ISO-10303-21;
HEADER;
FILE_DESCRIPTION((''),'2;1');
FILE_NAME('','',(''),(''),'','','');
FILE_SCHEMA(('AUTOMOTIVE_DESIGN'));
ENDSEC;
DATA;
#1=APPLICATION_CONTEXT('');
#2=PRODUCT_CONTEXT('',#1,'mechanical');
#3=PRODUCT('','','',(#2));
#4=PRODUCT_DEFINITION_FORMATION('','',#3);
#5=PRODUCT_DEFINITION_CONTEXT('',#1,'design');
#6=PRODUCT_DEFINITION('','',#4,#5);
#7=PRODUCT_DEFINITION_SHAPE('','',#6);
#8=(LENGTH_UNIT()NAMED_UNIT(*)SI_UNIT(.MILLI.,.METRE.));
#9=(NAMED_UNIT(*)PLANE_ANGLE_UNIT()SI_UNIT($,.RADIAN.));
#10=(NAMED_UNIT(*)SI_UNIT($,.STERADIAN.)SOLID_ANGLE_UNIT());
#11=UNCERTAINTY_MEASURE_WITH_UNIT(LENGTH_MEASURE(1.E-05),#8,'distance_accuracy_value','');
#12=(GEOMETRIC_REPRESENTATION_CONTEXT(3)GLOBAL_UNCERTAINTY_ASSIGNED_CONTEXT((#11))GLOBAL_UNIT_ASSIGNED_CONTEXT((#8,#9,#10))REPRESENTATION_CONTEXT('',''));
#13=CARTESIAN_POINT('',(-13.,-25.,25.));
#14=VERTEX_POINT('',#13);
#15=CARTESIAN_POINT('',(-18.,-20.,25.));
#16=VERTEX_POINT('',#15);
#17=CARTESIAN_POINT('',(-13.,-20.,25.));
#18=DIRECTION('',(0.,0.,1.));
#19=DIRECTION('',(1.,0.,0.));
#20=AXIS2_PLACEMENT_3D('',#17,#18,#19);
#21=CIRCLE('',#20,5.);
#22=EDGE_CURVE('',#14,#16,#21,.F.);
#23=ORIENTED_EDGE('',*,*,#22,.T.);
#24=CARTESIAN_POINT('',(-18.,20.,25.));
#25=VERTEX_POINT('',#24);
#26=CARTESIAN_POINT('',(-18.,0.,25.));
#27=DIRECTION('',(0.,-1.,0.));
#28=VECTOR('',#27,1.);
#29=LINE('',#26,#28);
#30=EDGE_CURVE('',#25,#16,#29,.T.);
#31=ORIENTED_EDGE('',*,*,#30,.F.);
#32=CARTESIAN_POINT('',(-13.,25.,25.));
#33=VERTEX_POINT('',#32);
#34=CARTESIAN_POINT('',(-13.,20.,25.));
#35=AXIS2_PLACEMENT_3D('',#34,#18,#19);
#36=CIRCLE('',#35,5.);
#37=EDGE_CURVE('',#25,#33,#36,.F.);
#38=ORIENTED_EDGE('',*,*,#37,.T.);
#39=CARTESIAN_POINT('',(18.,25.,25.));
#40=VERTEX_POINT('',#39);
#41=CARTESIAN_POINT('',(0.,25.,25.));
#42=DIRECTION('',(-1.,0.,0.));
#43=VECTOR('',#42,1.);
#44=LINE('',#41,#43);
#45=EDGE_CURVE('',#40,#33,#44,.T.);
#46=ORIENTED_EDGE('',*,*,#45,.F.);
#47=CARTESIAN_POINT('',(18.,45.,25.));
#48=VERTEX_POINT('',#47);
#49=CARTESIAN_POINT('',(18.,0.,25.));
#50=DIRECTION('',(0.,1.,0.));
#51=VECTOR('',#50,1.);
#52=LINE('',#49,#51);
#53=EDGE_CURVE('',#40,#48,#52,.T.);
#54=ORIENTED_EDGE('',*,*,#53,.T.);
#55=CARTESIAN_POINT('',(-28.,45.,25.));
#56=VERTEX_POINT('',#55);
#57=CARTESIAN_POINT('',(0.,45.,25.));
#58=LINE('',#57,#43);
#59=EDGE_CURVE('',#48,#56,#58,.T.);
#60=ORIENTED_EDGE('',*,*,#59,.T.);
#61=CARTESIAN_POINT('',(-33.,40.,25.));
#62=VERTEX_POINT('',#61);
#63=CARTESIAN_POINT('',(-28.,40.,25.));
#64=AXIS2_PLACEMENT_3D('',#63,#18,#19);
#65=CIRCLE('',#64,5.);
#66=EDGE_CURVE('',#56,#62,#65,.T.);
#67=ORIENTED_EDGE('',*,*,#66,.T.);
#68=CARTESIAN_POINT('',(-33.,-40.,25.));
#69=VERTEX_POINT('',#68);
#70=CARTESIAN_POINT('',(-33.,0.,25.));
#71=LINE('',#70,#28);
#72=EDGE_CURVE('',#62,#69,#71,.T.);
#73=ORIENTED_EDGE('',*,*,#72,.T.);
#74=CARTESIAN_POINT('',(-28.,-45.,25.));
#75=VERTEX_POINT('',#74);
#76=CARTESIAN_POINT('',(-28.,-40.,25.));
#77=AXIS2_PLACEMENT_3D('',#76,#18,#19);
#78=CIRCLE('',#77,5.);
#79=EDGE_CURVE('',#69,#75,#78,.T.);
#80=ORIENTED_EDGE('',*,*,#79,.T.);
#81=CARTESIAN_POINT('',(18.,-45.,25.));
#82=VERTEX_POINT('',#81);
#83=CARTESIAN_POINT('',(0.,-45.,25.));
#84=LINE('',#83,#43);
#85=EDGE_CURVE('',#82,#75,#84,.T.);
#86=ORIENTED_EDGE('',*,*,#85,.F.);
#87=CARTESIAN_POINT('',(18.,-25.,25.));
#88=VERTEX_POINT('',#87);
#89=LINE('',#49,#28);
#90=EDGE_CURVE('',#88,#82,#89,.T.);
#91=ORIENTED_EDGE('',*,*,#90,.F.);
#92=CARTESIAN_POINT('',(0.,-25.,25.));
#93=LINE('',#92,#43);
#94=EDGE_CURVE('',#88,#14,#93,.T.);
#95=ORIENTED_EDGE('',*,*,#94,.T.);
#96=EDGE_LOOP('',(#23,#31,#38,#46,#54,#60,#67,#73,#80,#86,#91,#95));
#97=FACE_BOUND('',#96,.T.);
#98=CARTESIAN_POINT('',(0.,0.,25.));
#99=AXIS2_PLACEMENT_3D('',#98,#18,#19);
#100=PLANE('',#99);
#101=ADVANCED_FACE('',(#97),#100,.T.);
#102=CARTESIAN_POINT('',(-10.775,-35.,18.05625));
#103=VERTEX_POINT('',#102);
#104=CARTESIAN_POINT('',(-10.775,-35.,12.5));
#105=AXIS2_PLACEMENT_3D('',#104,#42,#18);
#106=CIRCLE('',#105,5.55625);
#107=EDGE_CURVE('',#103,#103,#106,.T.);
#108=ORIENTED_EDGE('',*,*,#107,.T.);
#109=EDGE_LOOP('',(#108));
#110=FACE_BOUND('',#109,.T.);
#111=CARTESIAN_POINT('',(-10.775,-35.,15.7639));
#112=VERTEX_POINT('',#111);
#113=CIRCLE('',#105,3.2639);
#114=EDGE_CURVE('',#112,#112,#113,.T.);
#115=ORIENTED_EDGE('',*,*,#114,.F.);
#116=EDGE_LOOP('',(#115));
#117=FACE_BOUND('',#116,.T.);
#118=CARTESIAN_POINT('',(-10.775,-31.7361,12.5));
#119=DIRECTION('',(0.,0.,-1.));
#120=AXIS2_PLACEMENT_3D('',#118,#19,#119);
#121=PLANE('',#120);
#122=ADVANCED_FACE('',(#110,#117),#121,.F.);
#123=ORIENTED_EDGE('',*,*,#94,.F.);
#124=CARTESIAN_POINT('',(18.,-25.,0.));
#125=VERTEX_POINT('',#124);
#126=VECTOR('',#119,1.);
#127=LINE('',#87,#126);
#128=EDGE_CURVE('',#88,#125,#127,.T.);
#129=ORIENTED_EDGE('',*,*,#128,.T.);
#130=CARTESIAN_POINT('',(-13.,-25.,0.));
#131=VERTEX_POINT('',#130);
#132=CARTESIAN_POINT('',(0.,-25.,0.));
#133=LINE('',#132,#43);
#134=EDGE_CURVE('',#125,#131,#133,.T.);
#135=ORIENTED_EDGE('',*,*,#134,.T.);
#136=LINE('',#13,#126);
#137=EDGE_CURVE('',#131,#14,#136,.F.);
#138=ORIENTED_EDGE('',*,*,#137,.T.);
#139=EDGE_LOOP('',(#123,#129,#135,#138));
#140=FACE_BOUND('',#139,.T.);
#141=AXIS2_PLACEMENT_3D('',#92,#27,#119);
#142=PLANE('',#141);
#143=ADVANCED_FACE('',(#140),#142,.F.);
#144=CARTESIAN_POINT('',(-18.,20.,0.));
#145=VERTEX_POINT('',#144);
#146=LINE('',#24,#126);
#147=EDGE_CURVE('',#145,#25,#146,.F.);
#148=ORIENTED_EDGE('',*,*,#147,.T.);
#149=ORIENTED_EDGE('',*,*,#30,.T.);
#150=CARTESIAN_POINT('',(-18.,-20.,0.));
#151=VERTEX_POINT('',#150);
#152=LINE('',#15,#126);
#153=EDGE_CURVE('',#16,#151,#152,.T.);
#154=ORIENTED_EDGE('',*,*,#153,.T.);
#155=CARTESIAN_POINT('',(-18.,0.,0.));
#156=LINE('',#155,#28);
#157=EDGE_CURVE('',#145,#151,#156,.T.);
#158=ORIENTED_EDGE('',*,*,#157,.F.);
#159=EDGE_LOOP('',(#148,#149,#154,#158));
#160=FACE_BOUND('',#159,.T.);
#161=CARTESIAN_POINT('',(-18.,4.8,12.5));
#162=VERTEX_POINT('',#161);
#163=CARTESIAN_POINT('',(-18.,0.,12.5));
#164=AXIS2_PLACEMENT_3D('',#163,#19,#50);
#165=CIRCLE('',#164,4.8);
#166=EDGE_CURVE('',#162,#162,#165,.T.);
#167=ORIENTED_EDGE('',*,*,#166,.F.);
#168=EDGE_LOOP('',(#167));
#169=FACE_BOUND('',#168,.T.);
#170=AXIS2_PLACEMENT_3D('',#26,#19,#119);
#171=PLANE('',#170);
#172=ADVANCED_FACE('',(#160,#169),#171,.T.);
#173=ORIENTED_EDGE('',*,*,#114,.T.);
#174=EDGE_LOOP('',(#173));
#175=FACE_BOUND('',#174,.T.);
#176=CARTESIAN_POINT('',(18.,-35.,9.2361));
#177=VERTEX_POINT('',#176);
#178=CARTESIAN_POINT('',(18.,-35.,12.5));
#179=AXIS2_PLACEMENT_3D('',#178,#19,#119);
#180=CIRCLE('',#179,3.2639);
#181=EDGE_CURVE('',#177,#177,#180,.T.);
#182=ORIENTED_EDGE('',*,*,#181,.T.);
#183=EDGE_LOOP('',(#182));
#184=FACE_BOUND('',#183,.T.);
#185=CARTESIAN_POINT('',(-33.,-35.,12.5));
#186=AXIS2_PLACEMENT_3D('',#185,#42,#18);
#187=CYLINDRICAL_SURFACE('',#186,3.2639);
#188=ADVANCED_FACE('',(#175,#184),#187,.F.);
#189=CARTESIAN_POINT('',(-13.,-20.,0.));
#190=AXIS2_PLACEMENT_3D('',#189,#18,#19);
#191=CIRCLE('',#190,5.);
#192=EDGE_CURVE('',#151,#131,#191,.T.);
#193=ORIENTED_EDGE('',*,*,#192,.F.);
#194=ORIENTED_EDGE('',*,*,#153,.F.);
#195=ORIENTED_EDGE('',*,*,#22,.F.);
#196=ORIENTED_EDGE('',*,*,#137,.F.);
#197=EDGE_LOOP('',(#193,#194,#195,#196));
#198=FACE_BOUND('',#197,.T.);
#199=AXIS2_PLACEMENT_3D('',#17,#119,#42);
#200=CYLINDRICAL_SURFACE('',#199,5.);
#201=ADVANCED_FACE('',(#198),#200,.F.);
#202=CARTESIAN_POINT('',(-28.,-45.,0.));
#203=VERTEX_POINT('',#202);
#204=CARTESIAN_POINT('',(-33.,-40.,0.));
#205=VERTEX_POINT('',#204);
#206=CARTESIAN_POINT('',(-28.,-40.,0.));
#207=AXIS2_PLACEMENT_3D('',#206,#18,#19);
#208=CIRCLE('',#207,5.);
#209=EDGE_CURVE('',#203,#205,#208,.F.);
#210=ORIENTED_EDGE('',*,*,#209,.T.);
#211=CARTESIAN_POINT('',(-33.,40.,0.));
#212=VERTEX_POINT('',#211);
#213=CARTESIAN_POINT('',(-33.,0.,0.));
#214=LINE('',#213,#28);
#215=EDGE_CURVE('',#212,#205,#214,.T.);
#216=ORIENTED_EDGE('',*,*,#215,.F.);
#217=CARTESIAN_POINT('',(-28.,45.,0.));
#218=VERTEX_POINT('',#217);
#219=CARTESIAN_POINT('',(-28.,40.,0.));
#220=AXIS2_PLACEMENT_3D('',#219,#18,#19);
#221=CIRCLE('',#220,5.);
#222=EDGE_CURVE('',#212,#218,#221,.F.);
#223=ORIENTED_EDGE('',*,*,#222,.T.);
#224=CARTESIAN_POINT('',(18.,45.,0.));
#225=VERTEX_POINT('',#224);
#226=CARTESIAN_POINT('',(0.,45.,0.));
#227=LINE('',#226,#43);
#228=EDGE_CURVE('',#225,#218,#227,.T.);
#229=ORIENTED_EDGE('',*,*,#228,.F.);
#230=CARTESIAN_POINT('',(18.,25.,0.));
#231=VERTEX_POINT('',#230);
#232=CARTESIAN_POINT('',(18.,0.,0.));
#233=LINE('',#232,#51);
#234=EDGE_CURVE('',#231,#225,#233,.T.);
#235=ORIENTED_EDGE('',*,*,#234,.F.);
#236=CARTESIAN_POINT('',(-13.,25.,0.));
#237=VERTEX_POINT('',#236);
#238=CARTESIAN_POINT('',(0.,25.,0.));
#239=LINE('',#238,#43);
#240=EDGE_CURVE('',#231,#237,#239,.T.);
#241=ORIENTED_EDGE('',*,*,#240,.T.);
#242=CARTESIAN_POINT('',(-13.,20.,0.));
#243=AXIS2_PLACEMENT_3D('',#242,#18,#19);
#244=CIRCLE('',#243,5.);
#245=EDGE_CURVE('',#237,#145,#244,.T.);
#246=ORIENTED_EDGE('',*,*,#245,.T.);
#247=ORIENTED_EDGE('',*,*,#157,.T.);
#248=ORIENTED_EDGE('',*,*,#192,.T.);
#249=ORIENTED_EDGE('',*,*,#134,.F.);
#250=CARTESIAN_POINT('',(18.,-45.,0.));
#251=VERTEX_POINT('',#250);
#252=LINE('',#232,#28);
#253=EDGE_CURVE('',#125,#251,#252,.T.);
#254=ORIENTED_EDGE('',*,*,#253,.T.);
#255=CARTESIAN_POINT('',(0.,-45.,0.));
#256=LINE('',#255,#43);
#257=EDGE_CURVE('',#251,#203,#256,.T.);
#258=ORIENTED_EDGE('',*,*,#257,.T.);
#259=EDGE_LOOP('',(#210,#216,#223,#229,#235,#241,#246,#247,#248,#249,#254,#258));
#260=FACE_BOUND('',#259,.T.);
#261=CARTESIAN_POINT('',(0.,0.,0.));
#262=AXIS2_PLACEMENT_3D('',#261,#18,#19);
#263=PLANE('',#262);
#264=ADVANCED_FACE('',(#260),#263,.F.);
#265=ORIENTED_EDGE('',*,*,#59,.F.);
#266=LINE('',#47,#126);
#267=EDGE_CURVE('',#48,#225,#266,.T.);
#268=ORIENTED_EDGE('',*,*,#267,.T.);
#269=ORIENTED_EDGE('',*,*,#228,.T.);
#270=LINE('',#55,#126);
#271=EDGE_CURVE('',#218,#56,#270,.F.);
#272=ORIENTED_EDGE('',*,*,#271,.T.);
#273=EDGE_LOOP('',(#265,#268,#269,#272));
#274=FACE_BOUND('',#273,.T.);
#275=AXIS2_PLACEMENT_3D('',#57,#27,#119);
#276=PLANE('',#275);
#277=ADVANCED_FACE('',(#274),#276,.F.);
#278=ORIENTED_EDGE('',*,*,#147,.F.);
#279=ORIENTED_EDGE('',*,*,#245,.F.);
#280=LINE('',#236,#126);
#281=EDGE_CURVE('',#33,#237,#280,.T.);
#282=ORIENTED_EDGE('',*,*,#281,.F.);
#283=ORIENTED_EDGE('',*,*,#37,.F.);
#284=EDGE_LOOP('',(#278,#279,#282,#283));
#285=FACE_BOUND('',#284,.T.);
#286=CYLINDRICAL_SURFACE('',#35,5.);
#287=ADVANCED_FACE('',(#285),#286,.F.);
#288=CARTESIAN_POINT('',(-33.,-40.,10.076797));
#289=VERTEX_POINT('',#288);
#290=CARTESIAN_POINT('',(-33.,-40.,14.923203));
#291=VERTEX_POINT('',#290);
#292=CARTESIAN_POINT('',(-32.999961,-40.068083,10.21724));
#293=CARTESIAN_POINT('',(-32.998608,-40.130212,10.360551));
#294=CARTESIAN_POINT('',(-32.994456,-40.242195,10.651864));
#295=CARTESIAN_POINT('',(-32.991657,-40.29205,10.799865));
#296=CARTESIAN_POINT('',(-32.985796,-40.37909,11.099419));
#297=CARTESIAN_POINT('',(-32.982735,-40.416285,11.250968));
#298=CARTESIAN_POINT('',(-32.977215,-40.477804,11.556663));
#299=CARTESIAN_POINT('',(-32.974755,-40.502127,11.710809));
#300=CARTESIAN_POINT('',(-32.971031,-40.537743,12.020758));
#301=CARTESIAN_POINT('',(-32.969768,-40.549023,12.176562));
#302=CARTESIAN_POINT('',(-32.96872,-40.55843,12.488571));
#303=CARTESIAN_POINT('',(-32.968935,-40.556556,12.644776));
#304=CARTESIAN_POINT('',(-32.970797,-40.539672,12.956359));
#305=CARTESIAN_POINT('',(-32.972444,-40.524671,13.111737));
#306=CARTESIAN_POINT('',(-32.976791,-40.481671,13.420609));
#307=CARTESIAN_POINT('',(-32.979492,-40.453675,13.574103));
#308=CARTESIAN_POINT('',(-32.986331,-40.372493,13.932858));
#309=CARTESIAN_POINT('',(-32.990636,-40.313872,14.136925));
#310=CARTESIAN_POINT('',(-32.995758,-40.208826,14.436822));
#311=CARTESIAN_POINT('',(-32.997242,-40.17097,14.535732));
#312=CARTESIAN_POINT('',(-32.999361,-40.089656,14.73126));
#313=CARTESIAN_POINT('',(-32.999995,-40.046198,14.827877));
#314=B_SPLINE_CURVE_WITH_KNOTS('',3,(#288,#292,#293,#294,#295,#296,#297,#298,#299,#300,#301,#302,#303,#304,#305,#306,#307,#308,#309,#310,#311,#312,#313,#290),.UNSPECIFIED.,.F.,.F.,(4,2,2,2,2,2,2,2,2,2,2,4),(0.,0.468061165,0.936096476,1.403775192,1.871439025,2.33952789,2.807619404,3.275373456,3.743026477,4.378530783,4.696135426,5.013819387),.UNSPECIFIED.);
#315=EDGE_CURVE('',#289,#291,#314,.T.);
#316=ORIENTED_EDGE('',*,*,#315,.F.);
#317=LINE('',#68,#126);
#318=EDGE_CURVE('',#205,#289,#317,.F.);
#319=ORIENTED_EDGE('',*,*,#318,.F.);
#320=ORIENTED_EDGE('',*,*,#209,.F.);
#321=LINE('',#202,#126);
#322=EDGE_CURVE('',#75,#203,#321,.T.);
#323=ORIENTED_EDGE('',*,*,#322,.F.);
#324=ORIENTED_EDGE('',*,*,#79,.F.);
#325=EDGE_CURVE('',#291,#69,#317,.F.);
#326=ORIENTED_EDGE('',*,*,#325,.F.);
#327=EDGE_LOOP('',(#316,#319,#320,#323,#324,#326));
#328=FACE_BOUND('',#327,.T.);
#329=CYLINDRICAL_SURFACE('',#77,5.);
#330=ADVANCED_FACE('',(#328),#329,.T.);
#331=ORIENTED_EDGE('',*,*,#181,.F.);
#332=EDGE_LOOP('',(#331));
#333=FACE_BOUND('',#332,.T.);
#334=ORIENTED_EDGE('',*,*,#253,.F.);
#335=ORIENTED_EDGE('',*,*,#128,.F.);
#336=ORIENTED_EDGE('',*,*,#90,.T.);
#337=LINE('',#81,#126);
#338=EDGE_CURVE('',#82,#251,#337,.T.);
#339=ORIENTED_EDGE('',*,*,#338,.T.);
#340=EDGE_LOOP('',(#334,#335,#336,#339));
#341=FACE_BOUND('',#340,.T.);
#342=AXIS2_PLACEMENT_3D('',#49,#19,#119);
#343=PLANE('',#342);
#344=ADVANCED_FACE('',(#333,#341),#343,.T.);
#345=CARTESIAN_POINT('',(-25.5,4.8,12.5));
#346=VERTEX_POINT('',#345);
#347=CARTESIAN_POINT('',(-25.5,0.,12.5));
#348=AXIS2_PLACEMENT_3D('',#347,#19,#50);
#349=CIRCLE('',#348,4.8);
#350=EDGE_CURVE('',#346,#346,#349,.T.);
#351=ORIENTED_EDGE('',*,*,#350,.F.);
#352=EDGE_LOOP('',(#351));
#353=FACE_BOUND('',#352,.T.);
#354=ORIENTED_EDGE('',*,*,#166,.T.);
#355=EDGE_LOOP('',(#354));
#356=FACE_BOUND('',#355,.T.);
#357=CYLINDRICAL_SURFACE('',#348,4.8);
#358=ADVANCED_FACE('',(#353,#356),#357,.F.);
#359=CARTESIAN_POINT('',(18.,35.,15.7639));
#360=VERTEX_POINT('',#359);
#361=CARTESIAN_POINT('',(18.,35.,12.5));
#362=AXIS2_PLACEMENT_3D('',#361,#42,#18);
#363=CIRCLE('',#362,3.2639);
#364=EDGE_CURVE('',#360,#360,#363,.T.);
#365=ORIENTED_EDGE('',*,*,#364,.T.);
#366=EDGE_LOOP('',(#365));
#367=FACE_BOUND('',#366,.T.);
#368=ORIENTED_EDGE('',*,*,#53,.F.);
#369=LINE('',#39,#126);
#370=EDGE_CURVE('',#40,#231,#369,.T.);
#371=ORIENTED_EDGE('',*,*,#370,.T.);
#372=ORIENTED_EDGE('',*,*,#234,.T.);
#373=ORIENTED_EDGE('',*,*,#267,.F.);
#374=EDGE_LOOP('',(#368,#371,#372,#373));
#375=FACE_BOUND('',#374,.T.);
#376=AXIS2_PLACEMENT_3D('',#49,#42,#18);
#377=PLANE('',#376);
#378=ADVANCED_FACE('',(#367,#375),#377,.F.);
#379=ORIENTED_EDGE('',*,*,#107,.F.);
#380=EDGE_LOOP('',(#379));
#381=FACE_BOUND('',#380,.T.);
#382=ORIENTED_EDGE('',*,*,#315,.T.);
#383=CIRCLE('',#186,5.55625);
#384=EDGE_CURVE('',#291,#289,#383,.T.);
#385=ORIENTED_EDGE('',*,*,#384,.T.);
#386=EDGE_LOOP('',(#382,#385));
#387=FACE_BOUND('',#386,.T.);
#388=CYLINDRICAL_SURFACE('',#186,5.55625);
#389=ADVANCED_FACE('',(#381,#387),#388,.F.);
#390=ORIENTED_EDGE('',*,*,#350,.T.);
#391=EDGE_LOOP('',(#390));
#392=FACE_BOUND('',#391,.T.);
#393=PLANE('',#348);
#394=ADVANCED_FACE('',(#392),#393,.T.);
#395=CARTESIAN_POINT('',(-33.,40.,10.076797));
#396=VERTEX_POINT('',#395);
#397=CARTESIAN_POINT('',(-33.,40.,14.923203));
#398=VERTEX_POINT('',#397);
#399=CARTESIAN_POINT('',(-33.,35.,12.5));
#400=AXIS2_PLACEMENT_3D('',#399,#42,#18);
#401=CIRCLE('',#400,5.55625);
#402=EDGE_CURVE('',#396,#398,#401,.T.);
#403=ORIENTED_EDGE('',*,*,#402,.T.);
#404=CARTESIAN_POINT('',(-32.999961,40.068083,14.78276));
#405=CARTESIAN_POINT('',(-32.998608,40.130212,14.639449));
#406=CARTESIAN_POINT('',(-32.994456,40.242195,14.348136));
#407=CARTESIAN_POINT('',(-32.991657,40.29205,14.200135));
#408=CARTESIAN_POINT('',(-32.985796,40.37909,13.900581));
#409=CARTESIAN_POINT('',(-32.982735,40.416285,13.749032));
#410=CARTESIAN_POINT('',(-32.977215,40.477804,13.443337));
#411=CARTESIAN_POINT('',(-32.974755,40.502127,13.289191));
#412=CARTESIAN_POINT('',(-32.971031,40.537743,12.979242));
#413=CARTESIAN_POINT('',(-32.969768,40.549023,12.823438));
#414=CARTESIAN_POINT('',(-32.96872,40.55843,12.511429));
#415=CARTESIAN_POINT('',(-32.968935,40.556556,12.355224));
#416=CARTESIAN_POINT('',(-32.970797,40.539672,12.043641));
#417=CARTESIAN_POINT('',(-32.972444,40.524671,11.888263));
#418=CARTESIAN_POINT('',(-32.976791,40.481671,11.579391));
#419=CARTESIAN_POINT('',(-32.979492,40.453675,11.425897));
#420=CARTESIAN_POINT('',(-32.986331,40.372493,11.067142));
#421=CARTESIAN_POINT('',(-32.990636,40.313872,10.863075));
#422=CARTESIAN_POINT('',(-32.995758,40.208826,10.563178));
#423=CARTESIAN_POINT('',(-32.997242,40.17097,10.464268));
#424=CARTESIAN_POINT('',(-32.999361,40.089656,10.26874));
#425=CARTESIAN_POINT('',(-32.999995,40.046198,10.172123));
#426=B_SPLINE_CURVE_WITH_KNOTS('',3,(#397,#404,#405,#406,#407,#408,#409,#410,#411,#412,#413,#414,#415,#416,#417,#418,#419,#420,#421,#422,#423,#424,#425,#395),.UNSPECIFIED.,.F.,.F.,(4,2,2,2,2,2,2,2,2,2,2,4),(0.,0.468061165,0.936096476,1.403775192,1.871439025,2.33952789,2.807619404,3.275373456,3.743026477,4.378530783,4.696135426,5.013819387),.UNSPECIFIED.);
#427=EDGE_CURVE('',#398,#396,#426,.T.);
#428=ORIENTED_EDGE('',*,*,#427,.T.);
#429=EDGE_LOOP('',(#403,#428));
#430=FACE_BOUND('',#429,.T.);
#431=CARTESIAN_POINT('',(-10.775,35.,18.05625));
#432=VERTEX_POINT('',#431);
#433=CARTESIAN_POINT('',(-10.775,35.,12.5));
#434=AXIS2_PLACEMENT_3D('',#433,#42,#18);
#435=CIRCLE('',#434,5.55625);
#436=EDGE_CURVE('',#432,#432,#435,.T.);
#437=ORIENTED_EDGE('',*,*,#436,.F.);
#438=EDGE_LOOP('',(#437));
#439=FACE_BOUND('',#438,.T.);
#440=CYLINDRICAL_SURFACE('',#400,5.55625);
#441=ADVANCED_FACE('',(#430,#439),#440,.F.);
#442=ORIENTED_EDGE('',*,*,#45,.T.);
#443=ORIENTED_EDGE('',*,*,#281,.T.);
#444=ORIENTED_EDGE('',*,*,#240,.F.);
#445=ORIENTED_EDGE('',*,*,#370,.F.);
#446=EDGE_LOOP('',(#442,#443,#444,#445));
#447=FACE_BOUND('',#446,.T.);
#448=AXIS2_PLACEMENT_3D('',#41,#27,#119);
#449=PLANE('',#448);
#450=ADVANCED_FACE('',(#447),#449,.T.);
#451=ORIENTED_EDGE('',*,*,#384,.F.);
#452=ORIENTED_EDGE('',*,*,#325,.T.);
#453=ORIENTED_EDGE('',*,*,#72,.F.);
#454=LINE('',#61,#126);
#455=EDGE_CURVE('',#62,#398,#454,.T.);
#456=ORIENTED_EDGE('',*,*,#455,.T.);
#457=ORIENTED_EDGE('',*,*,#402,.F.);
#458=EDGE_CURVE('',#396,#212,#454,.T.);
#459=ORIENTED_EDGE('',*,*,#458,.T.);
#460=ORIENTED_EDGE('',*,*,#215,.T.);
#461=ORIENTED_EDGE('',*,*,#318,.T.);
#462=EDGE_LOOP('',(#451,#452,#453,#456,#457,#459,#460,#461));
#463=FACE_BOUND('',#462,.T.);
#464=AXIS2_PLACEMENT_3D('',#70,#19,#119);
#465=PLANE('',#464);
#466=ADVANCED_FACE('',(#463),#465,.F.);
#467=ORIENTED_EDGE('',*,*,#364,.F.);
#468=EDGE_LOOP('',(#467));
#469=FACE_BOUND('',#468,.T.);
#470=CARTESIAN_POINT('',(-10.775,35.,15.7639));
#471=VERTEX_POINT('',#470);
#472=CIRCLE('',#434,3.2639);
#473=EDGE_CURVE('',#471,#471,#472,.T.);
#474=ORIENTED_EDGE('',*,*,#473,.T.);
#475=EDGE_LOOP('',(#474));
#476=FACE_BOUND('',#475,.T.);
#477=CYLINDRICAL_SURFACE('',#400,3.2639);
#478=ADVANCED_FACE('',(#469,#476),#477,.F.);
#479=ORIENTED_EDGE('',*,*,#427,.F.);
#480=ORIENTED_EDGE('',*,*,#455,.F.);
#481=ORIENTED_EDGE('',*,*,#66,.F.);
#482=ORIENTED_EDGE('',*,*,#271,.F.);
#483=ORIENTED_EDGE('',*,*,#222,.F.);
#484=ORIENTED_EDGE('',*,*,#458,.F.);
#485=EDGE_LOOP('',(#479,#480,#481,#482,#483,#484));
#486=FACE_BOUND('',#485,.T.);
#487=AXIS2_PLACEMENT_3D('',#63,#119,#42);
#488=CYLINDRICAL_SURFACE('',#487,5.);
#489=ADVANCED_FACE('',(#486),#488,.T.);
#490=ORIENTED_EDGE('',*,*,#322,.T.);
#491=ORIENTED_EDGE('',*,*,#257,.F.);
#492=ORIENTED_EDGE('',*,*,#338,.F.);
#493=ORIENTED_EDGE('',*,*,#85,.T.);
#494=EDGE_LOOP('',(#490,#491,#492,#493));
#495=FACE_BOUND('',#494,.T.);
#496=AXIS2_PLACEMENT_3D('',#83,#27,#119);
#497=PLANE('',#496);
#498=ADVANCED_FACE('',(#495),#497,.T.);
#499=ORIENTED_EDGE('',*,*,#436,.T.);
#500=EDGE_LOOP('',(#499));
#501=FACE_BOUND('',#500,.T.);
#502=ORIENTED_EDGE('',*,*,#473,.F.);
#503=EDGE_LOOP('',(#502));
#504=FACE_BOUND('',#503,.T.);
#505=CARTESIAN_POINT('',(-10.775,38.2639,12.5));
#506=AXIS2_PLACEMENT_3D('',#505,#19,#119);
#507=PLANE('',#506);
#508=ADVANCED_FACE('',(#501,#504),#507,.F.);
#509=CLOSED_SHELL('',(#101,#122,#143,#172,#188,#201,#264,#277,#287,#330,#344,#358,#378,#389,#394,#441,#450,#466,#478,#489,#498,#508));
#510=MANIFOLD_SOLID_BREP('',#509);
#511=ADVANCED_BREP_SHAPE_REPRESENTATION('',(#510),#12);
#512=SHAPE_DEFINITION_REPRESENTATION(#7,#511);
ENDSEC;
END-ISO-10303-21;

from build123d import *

# Parameters (mm, degrees)
BOSS_EXTRUDE1_DEPTH                              = 25
SKETCH3_R                                        = 4.8
CUT_EXTRUDE1_DEPTH                               = 7.5
FILLET1_R                                        = 5
CBORE_FOR_1_4_SOCKET_HEAD_CAP_SCREW1_D           = 6.5278
CBORE_FOR_1_4_SOCKET_HEAD_CAP_SCREW1_CBORE_D     = 11.1125
CBORE_FOR_1_4_SOCKET_HEAD_CAP_SCREW1_CBORE_DEPTH = 22.225


with BuildPart() as part:
    # Sketch2 → Boss-Extrude1 (new body)
    with BuildSketch(Plane.XY):
        Polygon((-18, 25), (18, 25), (18, 45), (-33, 45), (-33, -45), (18, -45), (18, -25), (-18, -25), align=None)
    extrude(amount=BOSS_EXTRUDE1_DEPTH)

    # Sketch3 → Cut-Extrude1 (cut)
    with BuildSketch(Plane(origin=(-18, 0, 0), x_dir=(0, 0, -1), z_dir=(1, 0, 0))):
        with Locations(Location((-12.5, 0, 0), (0, 0, 90))):
            Circle(SKETCH3_R)
    extrude(amount=-CUT_EXTRUDE1_DEPTH, mode=Mode.SUBTRACT)

    # Fillet1
    fillet1_edges = [part.edges().sort_by_distance(p)[0] for p in [
        (-33, -45, 12.5),
        (-33, 45, 12.5),
        (-18, 25, 12.5),
        (-18, -25, 12.5),
    ]]
    fillet(fillet1_edges, radius=FILLET1_R)

    # CBORE for 1/4 Socket Head Cap Screw1 (through all)
    with Locations(Plane.ZY.offset(33)):
        with Locations((12.5, 35), (12.5, -35)):
            CounterBoreHole(CBORE_FOR_1_4_SOCKET_HEAD_CAP_SCREW1_D / 2, CBORE_FOR_1_4_SOCKET_HEAD_CAP_SCREW1_CBORE_D / 2, CBORE_FOR_1_4_SOCKET_HEAD_CAP_SCREW1_CBORE_DEPTH)


solid = part.part
